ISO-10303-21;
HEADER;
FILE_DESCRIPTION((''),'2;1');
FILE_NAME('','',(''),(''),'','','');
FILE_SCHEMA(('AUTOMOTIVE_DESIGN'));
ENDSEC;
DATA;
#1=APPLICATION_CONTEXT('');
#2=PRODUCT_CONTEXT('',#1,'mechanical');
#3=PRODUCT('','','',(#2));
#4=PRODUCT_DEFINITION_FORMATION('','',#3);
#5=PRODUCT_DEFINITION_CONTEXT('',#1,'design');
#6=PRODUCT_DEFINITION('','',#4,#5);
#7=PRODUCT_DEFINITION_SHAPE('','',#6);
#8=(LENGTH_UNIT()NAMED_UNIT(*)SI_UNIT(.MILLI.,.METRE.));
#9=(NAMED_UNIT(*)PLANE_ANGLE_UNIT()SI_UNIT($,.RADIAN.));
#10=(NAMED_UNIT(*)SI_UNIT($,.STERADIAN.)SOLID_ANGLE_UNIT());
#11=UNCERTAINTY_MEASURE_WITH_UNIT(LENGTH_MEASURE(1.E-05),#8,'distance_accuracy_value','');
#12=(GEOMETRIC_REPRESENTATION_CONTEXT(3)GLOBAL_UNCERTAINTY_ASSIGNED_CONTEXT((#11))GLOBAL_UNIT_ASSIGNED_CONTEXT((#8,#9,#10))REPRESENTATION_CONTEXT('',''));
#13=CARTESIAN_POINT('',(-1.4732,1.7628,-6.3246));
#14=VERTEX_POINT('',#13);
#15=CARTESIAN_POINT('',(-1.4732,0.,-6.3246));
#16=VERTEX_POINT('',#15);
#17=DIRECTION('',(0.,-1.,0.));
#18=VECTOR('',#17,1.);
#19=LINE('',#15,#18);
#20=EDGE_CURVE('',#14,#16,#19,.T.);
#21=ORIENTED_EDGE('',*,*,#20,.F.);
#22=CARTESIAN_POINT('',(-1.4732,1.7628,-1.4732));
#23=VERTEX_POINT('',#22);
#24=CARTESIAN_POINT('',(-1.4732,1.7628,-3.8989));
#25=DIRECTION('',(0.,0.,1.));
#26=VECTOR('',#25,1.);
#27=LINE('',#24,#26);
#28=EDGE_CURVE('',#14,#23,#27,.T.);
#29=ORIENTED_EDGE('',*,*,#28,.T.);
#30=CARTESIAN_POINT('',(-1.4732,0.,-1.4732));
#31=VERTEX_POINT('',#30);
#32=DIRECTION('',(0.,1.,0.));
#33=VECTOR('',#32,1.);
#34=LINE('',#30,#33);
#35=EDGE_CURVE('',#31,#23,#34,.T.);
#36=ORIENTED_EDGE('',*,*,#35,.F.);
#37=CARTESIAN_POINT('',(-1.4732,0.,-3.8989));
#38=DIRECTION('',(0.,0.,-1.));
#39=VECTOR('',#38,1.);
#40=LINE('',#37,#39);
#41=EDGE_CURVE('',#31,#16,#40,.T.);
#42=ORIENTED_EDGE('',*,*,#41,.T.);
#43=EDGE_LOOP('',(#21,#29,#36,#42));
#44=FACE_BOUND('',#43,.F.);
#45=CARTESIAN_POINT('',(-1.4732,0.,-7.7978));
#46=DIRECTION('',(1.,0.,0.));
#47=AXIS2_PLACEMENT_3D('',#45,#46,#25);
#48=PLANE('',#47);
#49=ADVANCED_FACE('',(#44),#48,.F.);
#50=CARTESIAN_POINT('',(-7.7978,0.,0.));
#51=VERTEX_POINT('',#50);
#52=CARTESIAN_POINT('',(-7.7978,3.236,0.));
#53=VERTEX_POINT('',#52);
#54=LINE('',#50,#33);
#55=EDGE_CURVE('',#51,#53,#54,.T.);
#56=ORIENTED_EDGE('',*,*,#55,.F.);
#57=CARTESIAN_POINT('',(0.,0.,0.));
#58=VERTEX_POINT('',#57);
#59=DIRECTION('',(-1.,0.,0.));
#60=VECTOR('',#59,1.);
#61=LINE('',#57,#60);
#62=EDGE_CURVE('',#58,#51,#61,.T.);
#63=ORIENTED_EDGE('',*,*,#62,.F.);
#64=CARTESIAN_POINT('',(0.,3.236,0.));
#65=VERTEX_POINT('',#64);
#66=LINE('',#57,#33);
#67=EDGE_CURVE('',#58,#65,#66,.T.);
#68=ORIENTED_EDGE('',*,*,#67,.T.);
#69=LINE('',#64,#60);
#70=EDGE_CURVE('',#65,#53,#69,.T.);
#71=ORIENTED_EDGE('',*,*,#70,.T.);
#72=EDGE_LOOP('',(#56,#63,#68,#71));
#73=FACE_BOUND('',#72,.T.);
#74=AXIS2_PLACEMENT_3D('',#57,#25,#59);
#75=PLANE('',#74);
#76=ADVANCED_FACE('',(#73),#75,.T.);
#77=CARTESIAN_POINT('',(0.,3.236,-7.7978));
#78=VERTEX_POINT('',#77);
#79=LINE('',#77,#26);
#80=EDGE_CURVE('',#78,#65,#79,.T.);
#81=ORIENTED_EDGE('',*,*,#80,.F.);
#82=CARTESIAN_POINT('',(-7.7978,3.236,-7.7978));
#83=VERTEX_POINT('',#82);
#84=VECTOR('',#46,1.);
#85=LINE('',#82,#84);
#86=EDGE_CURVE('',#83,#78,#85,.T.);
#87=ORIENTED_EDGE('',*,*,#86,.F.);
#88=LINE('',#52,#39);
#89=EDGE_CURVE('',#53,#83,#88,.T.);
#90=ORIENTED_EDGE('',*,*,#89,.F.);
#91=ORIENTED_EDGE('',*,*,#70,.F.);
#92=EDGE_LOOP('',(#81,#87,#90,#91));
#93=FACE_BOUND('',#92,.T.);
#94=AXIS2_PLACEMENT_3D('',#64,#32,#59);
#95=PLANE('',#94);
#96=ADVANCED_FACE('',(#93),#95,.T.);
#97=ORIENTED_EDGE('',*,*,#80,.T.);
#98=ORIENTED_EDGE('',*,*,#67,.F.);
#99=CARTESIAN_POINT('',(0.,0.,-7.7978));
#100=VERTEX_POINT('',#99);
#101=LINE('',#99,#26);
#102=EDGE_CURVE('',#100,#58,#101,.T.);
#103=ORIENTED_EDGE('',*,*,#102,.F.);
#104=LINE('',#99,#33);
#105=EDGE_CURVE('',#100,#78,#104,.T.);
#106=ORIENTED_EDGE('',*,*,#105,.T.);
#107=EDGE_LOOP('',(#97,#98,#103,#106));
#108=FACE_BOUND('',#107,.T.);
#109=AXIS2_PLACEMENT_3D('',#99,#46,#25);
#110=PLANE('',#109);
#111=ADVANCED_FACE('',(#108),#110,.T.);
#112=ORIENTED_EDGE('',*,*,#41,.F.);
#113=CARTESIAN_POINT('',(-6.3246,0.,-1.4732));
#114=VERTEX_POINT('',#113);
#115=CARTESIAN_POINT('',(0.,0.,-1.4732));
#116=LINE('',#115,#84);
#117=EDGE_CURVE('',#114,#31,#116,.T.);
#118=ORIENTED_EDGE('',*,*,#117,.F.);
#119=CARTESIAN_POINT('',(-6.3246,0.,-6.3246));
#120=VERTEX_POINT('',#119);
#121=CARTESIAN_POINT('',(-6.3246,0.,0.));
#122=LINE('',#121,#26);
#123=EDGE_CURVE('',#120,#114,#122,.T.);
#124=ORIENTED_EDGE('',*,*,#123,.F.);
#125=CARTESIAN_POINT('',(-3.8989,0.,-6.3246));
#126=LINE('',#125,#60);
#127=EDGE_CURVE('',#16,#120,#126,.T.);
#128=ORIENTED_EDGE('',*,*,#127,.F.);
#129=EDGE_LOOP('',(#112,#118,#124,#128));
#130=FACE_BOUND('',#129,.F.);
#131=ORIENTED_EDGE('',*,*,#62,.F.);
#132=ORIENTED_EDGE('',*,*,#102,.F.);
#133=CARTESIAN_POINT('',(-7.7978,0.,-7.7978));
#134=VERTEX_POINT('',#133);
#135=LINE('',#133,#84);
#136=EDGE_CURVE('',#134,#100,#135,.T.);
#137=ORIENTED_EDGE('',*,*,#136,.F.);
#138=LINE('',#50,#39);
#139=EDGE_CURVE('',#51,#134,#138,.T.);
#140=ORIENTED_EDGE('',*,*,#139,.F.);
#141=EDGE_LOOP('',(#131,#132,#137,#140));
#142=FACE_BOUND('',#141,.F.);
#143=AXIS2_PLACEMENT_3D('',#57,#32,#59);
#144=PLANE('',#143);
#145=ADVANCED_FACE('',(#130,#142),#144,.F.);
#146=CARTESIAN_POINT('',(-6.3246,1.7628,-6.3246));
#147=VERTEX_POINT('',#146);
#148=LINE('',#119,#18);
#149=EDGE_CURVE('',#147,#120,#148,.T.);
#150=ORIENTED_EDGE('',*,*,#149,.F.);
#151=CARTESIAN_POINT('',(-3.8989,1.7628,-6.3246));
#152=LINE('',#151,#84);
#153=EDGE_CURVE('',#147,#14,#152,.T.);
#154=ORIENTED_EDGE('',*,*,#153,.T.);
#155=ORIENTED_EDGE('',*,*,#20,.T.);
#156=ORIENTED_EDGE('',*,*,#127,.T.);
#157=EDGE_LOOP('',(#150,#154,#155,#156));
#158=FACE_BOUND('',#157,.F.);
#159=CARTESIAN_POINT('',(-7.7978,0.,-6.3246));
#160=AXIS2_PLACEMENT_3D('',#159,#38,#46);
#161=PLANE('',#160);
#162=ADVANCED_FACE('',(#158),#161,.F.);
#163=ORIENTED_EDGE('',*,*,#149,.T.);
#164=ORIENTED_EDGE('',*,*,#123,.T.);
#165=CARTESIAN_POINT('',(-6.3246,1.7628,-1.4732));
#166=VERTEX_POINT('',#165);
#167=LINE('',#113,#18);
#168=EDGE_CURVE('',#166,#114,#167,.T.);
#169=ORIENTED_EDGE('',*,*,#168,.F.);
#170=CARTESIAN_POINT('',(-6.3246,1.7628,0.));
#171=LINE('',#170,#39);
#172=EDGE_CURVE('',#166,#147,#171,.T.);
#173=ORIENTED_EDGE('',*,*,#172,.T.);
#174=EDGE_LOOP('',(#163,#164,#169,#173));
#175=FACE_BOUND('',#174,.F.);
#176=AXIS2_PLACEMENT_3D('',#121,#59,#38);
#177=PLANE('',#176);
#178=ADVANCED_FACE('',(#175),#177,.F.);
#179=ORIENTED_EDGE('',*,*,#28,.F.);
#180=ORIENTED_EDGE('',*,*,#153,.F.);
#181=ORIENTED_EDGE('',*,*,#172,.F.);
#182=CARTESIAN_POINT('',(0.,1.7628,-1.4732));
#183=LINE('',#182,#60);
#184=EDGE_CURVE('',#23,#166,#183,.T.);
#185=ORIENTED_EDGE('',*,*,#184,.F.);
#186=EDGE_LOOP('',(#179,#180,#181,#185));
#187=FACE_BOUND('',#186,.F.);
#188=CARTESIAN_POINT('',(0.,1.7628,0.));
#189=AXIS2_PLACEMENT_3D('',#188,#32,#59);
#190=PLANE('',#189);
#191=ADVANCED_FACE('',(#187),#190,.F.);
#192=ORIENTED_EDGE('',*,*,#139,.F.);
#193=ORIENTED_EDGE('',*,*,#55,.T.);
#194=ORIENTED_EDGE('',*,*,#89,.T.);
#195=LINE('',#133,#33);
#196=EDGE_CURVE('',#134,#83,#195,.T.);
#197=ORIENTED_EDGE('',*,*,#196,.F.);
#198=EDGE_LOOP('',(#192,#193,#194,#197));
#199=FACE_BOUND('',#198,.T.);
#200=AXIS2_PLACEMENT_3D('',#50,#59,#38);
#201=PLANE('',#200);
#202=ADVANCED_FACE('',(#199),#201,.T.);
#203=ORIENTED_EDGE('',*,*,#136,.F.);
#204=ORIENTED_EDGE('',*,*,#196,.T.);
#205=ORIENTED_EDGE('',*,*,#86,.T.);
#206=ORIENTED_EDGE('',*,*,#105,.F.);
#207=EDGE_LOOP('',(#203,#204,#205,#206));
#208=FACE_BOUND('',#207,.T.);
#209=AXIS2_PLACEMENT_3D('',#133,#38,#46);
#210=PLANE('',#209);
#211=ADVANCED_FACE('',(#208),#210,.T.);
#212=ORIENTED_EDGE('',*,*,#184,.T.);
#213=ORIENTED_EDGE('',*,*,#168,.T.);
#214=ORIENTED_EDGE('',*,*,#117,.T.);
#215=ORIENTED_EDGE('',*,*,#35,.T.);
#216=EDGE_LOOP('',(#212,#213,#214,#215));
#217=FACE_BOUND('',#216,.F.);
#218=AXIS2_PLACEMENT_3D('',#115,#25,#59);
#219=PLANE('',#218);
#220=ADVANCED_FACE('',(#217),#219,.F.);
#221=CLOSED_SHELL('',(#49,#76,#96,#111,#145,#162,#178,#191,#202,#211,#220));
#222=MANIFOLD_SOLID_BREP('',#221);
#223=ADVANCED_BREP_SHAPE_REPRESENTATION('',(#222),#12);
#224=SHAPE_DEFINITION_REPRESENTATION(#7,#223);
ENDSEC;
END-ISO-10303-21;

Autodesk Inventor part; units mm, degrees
ref_plane "YZ Plane" through (0, 0, 0) normal (1, 0, 0) x (0, 1, 0)
ref_plane "XZ Plane" through (0, 0, 0) normal (0, 1, 0) x (-1, 0, 0)
ref_plane "XY Plane" through (0, 0, 0) normal (0, 0, 1) x (1, 0, 0)
sketch "Sketch1" plane through (0, 0, 0) normal (0, 1, 0) x (-1, 0, 0)
  line L0 (0, 0) -> (7.7978, 0)
  line L1 (7.7978, 0) -> (7.7978, -7.7978)
  line L2 (7.7978, -7.7978) -> (0, -7.7978)
  line L3 (0, -7.7978) -> (0, 0)
  dimension "d0" = 7.7978
  dimension "d1" = 7.7978
extrude "Extrusion1" add sketch "Sketch1" along normal blind 3.236
shell "Shell1" thickness 1.4732 removed faces 1 at (-2.5993, 0, -2.5993)
properties part number "Sample 1x1 short" material "ABS Plastic"
